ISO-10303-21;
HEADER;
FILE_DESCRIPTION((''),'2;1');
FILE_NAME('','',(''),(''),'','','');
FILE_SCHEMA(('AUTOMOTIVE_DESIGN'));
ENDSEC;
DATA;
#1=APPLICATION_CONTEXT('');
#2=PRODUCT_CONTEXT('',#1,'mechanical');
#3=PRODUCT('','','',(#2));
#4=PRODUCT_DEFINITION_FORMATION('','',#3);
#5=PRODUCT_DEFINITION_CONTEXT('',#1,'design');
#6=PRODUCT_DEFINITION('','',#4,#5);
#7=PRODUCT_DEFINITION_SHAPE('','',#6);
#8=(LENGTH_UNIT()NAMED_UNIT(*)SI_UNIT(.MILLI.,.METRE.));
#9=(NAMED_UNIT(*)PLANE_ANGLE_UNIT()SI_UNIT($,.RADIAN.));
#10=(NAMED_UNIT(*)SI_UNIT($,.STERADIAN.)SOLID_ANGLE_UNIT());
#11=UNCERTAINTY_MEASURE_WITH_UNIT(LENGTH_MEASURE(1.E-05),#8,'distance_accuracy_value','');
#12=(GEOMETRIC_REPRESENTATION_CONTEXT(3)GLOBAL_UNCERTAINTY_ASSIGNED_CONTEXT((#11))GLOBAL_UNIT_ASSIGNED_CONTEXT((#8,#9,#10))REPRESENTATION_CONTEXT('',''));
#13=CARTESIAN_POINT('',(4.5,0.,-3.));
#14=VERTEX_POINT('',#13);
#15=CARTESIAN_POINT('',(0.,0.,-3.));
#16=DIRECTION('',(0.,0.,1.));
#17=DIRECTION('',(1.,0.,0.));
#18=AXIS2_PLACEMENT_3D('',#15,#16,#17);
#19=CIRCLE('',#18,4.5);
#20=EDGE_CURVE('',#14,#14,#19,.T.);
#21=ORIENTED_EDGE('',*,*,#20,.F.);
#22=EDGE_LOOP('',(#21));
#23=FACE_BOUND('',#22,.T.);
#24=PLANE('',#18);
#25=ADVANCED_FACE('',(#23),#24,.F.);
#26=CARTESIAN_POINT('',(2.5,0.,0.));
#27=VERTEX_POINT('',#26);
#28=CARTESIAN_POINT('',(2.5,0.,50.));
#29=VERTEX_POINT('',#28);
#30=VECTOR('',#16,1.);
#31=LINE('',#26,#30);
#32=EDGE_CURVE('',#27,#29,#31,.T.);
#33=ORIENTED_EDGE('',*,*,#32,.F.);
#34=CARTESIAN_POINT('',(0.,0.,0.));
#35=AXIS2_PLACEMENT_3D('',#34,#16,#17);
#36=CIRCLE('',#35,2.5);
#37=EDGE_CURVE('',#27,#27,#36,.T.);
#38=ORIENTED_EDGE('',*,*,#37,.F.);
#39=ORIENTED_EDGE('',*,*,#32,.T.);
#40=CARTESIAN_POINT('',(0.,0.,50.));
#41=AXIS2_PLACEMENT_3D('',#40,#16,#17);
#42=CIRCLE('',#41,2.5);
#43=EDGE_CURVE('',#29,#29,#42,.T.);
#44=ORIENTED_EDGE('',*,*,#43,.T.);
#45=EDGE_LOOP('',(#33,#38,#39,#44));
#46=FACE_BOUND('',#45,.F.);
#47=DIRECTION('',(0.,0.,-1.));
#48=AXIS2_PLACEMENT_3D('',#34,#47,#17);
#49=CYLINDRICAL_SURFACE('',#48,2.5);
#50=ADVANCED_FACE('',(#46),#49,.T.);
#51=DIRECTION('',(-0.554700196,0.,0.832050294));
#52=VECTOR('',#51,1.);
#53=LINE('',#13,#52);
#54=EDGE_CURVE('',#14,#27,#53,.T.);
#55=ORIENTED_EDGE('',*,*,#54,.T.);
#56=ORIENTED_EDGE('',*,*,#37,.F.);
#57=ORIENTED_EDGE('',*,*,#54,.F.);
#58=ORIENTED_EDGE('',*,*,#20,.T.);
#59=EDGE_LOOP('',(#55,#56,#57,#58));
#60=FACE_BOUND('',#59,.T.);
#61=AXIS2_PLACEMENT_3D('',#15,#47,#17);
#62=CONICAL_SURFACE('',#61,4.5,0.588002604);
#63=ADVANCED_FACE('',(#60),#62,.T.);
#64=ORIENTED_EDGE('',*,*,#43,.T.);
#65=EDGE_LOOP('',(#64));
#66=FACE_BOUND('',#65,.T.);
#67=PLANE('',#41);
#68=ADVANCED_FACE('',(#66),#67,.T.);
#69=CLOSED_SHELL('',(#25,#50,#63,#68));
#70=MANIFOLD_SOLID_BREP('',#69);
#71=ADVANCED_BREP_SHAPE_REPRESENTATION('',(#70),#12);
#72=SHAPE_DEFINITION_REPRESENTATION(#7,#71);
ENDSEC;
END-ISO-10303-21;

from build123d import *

# Parameters (mm, degrees)
CYLINDER_R     = 2.5
CYLINDER_DEPTH = 50


with BuildPart() as cone:
    # Cone → Cone (revolve)
    with BuildSketch(Plane(origin=(0, 0, -3), x_dir=(1, 0, 0), z_dir=(0, -1, 0))):
        Polygon((0, 0), (4.5, 0), (2.5, 3), (0, 3), align=None)
    revolve(axis=Axis((0, 0, -3), (0, 0, 1)))


with BuildPart() as m5x50_senkkopf:
    # Cylinder → Cylinder (new body)
    with BuildSketch(Plane.XY):
        Circle(CYLINDER_R)
    extrude(amount=CYLINDER_DEPTH)

    # Fusion: union Cone
    add(cone.part)


solid = m5x50_senkkopf.part
